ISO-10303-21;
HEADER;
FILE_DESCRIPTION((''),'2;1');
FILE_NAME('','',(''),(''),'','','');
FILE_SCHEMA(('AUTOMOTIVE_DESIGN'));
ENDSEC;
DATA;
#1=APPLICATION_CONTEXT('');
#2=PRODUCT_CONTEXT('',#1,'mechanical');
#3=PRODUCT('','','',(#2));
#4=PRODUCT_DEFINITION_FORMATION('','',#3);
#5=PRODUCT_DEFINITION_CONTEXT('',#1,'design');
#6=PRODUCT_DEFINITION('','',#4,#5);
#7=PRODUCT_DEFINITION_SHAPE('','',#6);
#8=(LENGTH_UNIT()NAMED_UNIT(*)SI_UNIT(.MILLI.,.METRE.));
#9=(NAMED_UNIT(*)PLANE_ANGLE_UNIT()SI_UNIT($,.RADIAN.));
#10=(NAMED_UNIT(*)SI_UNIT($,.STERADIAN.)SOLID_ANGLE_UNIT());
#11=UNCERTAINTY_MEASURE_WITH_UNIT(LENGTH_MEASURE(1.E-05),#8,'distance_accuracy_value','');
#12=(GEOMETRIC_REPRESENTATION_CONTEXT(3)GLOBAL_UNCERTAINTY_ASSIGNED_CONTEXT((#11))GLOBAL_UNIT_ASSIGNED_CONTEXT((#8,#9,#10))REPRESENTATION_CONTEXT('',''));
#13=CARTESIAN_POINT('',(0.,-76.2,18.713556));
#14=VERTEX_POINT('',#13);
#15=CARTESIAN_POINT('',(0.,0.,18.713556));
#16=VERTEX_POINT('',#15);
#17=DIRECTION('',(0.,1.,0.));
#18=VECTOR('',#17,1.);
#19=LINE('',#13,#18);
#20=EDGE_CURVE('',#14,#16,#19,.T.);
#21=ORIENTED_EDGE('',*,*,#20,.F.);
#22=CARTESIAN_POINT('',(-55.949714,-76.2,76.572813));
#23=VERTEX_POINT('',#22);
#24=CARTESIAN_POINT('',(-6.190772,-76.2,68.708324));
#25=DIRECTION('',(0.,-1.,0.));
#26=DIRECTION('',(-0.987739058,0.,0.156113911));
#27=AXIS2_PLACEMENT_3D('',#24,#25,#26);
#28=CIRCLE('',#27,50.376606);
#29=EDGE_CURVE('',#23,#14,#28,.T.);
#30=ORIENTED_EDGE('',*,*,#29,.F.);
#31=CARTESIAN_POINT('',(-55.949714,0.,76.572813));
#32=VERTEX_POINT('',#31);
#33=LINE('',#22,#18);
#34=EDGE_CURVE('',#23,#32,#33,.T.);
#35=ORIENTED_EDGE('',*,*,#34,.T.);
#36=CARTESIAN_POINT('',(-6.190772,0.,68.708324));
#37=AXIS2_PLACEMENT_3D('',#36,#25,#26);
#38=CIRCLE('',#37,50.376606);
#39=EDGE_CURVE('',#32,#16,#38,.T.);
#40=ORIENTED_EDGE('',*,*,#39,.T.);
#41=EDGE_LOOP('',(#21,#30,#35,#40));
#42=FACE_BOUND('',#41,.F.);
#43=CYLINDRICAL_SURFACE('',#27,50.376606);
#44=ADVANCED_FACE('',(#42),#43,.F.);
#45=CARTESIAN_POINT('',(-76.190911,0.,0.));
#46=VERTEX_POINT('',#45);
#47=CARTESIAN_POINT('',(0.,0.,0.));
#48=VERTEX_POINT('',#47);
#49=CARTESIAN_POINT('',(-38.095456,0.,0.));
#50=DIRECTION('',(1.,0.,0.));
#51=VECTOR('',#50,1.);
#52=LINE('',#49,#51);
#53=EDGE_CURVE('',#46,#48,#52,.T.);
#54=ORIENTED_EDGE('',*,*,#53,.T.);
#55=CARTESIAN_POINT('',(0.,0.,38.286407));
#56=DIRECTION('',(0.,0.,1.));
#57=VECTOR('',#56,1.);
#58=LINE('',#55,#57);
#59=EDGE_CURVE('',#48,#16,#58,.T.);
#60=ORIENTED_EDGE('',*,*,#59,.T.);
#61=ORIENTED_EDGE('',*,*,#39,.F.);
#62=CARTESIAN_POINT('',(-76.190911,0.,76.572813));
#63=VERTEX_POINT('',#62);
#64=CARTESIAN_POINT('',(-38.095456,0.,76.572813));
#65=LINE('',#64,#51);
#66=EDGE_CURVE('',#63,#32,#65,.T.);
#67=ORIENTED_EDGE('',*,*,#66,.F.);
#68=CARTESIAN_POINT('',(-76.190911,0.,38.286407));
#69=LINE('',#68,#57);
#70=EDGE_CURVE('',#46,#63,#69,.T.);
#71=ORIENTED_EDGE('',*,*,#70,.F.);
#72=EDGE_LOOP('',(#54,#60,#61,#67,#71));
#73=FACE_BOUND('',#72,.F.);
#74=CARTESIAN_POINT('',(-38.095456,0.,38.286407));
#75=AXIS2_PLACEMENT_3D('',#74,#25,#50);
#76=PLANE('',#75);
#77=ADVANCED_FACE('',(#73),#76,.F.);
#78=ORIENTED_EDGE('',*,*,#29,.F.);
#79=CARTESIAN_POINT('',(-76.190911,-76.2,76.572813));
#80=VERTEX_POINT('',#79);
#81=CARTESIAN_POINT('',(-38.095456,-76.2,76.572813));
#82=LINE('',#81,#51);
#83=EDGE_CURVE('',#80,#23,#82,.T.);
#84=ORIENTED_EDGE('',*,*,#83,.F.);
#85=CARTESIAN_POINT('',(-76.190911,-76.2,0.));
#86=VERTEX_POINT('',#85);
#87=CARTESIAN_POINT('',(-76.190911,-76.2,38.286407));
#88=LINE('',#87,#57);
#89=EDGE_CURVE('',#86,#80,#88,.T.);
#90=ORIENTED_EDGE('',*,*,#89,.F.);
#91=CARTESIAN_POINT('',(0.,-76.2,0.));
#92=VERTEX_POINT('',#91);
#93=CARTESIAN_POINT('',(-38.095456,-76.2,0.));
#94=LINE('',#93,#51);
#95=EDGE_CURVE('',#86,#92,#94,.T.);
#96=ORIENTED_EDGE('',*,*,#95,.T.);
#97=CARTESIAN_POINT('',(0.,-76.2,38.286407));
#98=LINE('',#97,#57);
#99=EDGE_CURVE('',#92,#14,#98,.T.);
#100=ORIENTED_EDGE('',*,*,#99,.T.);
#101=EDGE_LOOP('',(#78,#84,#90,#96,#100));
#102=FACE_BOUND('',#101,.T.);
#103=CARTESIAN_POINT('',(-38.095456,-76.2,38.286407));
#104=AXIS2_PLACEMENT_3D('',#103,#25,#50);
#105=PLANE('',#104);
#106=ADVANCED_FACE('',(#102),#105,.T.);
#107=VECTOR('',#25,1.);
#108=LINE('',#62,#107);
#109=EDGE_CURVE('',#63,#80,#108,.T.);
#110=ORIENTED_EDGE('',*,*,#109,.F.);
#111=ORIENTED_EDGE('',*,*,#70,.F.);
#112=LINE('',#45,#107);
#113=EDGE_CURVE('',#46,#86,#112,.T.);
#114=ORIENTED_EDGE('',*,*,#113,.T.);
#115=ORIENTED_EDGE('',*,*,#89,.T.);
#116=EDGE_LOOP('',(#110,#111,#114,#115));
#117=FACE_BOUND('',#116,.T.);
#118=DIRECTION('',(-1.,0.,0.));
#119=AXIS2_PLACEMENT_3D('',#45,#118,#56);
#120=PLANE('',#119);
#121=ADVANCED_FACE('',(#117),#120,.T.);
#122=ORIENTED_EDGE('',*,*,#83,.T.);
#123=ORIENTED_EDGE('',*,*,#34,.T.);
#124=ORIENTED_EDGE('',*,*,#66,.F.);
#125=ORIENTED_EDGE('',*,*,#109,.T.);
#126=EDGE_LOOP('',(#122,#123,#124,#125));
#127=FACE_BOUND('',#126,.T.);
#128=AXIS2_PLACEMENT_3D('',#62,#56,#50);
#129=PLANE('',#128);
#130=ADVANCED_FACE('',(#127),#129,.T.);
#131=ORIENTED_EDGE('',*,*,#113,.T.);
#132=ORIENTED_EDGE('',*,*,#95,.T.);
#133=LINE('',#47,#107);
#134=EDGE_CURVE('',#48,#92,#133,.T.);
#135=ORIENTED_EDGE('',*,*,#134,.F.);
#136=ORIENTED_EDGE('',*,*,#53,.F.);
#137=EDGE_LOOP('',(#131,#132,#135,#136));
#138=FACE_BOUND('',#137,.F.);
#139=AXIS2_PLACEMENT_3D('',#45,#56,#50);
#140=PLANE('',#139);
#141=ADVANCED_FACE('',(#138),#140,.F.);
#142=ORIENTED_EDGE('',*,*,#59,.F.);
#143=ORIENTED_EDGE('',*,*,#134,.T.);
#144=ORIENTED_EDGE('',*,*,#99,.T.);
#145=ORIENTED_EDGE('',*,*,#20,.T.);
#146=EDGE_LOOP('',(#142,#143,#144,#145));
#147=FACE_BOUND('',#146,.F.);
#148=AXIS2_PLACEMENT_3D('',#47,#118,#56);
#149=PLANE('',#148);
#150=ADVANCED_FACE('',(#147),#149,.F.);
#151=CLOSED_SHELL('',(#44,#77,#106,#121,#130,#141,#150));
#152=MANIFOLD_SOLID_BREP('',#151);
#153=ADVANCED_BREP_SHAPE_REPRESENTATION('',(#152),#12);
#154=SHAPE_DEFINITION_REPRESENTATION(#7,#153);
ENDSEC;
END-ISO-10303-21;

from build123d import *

# Parameters (mm, degrees)
F0_W     = 76.1909112334
F0_H     = 76.5728130937
F1_DEPTH = 76.2
F3_DEPTH = 76.2


with BuildPart() as f1:
    # F0 (on Front) → F1 (new body)
    with BuildSketch(Plane.XZ):
        with Locations((-38.0954556167, 38.2864065468)):
            Rectangle(F0_W, F0_H)
    extrude(amount=F1_DEPTH)

    # F2 (on face) → F3 (cut)
    with BuildSketch(Plane.XZ.offset(76.2)):
        with BuildLine():
            Line((0, 76.5728130937), (-55.9497140348, 76.5728130937))
            ThreePointArc((-55.9497140348, 76.5728130937), (-42.4049925451, 33.6892903324), (0, 18.7135562301))
            Line((0, 18.7135562301), (0, 76.5728130937))
        make_face()
    extrude(amount=-F3_DEPTH, mode=Mode.SUBTRACT)


solid = f1.part
